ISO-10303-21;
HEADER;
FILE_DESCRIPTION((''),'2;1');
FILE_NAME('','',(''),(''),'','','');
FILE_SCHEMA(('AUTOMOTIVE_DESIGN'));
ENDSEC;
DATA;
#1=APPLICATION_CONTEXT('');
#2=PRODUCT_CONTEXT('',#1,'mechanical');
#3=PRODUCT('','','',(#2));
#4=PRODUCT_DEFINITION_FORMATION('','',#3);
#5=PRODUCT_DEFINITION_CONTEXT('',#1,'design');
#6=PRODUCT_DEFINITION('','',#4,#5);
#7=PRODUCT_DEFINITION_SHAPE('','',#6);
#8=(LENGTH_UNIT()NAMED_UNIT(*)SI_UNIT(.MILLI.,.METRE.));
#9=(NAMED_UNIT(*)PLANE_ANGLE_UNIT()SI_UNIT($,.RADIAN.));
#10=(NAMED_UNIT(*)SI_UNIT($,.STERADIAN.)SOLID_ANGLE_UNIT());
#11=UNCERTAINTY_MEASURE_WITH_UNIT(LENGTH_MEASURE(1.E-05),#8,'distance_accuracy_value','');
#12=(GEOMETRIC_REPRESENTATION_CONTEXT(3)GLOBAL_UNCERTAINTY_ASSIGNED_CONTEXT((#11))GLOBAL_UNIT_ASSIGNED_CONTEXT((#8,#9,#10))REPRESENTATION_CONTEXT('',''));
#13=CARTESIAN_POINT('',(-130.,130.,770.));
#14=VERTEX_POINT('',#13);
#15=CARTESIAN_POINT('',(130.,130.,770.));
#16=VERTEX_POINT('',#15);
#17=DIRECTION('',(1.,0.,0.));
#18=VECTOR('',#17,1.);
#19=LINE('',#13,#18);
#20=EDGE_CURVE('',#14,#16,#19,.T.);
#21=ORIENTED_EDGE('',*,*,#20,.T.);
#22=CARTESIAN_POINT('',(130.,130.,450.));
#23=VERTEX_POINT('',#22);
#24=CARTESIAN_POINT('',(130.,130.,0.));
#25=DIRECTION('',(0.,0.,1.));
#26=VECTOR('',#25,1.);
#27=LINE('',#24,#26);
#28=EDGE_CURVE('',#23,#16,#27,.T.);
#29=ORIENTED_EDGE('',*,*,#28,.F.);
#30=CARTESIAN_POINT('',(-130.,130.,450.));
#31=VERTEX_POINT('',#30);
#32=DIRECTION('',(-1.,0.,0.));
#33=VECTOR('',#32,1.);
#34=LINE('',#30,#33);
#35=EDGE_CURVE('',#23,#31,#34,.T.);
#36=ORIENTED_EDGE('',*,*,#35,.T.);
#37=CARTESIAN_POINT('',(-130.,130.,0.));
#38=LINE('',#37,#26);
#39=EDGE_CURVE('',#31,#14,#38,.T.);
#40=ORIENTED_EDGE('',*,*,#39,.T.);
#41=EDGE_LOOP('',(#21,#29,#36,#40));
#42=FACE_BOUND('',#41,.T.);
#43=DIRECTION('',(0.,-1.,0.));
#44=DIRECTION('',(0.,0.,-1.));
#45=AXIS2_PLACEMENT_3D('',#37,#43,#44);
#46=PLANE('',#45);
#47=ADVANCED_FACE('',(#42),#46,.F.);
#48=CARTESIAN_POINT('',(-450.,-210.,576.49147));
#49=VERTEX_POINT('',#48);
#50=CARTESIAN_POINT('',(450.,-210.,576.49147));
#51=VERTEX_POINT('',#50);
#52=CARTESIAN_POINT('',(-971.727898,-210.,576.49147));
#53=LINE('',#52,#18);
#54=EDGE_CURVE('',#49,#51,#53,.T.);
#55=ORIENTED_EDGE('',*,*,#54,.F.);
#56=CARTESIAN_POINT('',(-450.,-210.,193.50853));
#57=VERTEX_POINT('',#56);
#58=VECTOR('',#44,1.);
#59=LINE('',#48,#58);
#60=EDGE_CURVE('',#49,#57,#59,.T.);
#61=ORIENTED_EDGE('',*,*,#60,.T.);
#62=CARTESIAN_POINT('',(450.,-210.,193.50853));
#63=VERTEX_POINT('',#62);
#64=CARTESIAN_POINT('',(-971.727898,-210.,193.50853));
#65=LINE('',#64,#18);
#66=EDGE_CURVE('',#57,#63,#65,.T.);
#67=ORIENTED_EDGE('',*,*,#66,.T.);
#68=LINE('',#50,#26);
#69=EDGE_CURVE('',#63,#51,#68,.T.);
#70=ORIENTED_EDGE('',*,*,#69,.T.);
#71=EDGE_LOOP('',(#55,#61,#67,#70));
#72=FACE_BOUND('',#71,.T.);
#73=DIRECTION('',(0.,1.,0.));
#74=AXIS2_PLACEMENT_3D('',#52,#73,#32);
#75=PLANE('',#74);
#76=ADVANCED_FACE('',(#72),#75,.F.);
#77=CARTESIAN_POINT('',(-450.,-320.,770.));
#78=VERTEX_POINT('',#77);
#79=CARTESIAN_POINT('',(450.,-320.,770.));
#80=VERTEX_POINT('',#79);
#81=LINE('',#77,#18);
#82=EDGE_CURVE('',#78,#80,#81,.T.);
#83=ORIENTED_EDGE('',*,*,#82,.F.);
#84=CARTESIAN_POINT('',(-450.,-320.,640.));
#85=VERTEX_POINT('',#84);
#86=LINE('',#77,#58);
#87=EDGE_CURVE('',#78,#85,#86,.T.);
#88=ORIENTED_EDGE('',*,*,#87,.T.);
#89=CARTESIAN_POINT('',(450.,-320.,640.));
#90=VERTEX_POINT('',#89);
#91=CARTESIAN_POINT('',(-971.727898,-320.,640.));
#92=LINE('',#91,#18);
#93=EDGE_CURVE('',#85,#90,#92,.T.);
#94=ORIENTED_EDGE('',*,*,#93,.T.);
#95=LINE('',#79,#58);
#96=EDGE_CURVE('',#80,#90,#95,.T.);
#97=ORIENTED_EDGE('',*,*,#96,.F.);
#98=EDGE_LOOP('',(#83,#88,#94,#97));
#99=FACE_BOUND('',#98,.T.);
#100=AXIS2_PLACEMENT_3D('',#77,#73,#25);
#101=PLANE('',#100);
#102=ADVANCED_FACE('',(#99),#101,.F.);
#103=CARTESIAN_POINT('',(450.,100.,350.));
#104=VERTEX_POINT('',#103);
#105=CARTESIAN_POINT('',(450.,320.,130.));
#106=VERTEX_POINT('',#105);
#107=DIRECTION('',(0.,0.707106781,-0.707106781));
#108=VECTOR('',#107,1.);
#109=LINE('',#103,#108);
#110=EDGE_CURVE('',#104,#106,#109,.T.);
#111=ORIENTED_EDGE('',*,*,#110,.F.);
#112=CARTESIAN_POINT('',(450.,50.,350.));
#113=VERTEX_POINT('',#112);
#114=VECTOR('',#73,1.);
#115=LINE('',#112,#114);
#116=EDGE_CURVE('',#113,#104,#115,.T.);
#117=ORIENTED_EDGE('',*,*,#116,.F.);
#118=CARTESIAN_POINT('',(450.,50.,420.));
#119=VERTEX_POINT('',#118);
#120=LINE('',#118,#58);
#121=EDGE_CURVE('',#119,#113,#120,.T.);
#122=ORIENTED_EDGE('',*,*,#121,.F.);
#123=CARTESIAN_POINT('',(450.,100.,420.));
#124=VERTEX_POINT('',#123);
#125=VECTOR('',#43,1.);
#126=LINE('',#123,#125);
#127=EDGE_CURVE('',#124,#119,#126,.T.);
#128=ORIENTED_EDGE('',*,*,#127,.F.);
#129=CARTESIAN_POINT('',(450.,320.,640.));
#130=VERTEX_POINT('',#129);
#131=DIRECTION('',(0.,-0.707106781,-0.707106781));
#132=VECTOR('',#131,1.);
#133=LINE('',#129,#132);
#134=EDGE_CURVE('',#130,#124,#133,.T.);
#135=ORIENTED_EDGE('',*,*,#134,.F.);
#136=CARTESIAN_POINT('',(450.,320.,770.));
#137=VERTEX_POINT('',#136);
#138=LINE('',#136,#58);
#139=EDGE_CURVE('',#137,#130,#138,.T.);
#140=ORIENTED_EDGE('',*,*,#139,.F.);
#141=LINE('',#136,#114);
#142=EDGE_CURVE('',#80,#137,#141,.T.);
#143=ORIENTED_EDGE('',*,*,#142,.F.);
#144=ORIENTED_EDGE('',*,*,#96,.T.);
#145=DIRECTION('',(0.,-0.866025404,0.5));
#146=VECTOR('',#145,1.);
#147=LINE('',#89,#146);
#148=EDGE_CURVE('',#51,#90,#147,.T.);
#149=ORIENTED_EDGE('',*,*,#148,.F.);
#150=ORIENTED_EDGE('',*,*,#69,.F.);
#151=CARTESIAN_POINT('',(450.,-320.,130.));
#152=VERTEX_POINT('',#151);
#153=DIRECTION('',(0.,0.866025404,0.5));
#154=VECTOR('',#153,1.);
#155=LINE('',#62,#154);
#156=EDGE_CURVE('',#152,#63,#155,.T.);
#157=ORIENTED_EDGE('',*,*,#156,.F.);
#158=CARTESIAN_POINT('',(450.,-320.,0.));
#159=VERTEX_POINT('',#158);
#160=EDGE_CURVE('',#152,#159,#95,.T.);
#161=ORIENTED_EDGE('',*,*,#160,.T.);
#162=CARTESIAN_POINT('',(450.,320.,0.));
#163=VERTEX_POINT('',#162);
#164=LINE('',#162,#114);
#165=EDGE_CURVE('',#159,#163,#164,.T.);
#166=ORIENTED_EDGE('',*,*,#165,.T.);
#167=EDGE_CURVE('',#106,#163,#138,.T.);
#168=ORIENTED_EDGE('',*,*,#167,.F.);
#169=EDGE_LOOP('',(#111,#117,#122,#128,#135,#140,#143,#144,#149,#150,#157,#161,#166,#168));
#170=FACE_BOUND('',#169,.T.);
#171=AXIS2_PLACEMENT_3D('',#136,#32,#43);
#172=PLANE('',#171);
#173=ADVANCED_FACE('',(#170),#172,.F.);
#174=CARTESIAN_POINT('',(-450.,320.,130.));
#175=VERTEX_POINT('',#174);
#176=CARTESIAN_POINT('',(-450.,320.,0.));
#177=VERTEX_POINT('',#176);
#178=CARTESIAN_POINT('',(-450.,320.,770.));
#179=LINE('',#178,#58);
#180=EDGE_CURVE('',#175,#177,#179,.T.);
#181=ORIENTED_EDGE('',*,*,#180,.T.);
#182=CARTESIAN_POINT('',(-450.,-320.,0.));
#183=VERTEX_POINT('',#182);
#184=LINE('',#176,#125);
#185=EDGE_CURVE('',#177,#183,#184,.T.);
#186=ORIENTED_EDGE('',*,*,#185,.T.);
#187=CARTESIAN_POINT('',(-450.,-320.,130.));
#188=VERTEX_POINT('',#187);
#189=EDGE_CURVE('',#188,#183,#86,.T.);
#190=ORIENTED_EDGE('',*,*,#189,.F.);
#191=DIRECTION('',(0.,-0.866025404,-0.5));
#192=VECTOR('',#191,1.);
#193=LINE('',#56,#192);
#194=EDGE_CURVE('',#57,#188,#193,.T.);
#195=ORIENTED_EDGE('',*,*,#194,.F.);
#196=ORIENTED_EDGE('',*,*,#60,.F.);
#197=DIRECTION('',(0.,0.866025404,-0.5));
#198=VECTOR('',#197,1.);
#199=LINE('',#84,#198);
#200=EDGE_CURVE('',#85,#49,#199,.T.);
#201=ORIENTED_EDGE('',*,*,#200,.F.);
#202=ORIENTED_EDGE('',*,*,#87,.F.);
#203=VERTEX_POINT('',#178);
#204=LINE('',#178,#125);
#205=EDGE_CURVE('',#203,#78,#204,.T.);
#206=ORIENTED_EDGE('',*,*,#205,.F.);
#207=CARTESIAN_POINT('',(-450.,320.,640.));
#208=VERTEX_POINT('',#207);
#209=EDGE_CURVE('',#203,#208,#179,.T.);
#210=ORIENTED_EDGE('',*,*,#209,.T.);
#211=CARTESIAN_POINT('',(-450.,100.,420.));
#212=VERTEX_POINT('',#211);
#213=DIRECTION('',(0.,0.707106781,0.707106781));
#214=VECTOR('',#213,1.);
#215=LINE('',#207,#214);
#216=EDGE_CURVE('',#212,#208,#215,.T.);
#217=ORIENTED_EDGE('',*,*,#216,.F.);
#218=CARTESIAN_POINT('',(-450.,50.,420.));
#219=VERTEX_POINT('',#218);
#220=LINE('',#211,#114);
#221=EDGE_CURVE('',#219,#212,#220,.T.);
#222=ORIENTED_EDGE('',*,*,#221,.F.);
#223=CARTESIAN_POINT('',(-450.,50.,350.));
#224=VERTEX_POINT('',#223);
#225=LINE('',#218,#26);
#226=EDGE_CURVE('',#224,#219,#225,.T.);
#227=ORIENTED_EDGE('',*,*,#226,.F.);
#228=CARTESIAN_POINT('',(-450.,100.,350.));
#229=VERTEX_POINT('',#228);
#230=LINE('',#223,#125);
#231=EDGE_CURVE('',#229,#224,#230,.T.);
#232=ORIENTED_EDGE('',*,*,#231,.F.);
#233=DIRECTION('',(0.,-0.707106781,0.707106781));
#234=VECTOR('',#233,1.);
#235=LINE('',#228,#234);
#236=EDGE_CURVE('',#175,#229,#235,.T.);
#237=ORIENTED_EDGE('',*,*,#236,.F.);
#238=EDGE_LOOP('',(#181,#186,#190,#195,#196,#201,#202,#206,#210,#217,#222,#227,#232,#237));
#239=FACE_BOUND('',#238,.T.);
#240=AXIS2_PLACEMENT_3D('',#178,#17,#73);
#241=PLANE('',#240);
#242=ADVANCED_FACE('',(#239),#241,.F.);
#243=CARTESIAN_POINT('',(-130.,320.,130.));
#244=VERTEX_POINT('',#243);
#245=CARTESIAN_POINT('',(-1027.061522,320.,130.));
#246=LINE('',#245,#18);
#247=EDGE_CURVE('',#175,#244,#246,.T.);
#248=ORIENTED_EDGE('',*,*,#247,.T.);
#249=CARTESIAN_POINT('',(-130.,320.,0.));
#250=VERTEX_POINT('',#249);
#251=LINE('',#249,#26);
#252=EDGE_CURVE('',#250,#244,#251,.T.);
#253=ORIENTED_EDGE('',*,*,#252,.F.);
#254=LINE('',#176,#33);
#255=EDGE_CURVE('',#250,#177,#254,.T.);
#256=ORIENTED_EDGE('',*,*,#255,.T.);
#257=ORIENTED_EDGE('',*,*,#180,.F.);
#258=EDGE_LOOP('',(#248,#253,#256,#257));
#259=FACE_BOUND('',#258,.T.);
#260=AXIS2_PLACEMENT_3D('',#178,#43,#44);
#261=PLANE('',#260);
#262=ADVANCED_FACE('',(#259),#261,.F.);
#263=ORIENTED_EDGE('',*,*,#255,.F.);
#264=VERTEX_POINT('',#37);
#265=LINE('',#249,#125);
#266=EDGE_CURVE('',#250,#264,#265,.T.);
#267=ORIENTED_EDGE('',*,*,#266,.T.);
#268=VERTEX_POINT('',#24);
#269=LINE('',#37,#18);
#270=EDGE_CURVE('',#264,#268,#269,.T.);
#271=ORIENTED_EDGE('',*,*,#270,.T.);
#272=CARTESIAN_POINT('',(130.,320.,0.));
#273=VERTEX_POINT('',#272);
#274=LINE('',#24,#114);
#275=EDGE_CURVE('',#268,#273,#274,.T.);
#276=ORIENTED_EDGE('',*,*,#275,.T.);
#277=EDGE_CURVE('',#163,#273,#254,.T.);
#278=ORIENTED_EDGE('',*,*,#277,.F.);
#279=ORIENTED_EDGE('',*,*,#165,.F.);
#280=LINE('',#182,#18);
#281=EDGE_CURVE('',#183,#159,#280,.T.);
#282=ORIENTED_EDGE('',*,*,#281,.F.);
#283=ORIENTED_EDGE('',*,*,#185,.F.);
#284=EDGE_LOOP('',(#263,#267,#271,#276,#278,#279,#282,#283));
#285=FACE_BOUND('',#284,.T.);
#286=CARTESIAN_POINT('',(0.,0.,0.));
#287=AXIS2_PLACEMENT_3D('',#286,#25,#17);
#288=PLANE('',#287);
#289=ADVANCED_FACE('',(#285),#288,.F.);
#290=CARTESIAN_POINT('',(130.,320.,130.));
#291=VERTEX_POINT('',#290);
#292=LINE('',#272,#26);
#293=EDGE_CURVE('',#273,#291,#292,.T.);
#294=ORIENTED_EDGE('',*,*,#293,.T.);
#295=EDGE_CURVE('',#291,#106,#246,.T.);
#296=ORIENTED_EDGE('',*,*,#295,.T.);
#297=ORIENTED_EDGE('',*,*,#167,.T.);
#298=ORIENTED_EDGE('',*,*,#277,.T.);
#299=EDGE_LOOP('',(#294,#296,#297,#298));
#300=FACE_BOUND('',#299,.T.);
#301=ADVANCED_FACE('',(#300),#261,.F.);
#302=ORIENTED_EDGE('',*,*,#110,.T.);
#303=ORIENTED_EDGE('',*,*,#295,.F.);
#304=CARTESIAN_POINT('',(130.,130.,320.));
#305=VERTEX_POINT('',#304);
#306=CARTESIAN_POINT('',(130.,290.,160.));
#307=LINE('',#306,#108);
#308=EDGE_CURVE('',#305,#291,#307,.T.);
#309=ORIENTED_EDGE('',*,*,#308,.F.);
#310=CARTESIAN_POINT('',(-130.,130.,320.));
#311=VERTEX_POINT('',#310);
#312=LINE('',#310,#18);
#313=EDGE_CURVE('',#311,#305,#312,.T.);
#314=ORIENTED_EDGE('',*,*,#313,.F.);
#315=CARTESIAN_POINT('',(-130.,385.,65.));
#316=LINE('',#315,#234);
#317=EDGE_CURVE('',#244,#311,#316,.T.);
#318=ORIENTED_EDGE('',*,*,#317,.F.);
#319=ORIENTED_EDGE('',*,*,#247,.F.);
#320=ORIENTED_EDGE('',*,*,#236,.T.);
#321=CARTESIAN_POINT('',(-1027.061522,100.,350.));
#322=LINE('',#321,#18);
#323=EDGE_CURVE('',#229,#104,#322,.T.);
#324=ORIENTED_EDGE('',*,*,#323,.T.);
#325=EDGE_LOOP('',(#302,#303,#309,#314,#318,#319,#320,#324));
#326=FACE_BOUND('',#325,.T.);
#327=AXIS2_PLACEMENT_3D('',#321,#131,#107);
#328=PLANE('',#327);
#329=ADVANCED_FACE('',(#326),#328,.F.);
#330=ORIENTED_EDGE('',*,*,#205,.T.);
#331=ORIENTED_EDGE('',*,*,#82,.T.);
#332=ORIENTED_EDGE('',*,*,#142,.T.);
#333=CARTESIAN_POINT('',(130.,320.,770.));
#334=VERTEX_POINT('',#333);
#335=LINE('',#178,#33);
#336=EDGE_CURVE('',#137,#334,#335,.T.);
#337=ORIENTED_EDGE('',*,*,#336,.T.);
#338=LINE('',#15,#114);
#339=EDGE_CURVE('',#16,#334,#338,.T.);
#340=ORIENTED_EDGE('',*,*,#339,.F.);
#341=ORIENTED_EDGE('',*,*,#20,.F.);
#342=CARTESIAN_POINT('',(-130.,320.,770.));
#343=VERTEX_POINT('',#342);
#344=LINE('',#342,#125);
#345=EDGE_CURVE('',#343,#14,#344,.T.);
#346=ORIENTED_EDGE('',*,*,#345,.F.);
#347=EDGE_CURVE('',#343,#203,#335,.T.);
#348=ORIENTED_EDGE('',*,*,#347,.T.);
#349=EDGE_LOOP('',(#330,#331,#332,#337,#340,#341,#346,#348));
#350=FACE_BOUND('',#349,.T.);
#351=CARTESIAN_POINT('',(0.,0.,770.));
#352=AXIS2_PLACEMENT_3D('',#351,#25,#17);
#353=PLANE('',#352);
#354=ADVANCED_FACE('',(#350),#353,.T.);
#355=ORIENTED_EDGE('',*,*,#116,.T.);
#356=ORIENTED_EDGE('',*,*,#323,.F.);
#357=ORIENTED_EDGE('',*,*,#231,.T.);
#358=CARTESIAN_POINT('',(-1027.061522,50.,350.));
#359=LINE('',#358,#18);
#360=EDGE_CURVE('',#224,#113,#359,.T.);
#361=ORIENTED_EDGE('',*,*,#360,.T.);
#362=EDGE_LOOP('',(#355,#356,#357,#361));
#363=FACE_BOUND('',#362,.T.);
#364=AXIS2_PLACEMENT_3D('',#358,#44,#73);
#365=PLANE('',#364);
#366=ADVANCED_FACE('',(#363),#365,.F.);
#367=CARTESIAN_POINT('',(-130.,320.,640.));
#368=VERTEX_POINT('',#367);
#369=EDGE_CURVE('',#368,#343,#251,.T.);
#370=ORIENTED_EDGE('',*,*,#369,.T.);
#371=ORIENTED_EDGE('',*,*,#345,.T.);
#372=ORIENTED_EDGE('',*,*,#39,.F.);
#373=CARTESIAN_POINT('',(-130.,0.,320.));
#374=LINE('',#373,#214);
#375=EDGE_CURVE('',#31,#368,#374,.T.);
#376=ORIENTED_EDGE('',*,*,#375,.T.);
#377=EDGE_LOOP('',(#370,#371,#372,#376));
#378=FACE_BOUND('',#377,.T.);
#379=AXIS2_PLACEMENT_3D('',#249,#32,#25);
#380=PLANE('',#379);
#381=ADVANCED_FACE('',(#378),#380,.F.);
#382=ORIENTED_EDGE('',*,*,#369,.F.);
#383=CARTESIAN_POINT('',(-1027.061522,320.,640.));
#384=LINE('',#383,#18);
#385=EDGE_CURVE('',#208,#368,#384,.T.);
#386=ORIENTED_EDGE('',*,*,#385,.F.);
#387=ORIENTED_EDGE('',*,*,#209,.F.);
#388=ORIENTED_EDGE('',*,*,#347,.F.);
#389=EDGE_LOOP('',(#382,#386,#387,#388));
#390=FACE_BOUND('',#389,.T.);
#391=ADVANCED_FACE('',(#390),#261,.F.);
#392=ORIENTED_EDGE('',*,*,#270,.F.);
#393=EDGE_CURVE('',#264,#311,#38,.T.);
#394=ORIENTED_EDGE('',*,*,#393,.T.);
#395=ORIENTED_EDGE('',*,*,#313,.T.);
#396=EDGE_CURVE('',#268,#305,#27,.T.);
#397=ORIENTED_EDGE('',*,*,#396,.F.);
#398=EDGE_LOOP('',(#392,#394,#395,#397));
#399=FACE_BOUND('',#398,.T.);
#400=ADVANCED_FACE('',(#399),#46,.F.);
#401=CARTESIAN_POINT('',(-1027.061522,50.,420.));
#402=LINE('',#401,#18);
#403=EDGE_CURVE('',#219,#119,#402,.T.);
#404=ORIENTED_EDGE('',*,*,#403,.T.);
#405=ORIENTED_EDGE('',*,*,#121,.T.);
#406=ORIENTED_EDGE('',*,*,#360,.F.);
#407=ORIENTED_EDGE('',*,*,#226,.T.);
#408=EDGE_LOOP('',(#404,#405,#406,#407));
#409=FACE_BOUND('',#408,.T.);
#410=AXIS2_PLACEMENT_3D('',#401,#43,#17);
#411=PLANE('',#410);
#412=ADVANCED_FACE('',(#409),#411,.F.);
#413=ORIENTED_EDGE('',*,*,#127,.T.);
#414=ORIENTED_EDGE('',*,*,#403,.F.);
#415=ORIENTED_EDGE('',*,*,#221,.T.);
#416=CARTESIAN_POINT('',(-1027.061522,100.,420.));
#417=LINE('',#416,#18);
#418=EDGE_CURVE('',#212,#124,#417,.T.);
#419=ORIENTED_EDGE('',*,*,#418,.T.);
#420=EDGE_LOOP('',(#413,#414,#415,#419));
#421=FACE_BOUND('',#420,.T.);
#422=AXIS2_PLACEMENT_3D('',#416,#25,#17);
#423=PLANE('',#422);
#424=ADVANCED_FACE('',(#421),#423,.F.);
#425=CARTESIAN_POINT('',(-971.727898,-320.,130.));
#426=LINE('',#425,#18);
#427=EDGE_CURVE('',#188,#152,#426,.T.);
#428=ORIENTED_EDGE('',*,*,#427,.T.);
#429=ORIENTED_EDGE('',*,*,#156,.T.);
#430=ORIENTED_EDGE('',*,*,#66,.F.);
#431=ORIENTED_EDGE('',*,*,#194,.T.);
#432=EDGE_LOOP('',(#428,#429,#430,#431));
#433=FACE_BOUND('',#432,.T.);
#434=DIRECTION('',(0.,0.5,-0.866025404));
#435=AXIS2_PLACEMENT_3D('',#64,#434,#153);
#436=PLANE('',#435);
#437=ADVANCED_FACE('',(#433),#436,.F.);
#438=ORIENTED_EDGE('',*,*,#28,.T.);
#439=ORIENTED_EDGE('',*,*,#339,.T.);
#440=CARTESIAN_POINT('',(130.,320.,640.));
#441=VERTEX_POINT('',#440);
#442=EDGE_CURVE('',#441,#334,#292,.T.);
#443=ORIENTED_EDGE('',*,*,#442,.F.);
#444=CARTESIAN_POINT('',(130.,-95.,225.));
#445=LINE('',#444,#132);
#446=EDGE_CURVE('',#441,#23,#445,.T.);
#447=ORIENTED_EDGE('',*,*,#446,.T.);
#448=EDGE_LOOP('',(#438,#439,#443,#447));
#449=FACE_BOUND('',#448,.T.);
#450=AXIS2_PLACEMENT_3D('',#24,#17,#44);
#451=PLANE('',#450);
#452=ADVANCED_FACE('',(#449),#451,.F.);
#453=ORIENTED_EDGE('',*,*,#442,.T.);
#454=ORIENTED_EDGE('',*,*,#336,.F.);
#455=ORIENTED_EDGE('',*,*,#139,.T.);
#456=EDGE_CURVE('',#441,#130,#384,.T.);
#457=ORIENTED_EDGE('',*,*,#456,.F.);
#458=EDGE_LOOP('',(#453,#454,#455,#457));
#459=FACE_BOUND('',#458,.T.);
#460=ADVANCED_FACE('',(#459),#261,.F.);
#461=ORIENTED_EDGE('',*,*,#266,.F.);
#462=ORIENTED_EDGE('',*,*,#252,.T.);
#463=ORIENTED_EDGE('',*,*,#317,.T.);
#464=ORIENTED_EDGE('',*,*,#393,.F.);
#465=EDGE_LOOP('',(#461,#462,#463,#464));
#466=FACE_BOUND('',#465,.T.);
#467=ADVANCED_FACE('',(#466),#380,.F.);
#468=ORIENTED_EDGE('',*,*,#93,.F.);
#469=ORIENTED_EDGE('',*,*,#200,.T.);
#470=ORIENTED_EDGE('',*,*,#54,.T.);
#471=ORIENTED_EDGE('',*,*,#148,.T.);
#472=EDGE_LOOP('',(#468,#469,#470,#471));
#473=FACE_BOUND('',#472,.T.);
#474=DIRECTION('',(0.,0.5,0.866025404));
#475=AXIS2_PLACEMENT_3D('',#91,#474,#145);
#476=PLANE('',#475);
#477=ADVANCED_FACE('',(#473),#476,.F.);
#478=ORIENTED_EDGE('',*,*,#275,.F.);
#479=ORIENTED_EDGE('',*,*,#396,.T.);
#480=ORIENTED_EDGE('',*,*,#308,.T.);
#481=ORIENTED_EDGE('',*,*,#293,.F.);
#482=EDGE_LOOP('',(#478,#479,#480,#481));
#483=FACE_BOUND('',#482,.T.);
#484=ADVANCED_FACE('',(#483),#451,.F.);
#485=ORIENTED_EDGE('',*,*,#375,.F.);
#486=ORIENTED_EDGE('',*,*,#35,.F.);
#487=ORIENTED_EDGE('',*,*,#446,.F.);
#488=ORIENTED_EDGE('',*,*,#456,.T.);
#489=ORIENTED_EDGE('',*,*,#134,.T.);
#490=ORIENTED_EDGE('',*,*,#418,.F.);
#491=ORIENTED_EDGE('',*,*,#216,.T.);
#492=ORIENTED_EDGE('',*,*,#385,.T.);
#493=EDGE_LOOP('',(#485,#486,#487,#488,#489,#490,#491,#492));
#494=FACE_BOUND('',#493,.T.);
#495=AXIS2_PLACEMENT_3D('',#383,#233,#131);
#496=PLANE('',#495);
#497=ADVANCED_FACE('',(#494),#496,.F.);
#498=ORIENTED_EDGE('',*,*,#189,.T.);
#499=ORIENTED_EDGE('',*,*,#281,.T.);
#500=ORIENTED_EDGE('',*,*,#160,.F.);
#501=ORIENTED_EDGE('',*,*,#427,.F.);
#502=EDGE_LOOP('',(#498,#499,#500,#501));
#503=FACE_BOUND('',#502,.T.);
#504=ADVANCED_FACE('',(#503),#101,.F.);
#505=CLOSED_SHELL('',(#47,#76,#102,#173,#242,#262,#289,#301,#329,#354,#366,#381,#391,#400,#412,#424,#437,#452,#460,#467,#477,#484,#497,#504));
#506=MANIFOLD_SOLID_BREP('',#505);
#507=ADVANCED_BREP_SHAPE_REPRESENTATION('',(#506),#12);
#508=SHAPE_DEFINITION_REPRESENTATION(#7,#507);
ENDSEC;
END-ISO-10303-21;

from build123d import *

# Parameters (mm, degrees)
IZIM6_W                     = 900
IZIM6_H                     = 640
Y_KSEKLIK_EKSTR_ZYON3_DEPTH = 770
IZIM7_W                     = 260
IZIM7_H                     = 190
KES_EKSTR_ZYON4_DEPTH       = 770
KES_EKSTR_ZYON6_REACH       = 1228.907
KES_EKSTR_ZYON7_DEPTH       = 900


with BuildPart() as part:
    # Çizim6 → Yükseklik-Ekstrüzyon3 (new body)
    with BuildSketch(Plane.XY):
        Rectangle(IZIM6_W, IZIM6_H)
    extrude(amount=Y_KSEKLIK_EKSTR_ZYON3_DEPTH)

    # Çizim7 → Kes-Ekstrüzyon4 (cut)
    with BuildSketch(Plane.XY.offset(770)):
        with Locations((0, 225)):
            Rectangle(IZIM7_W, IZIM7_H)
    extrude(amount=-KES_EKSTR_ZYON4_DEPTH, mode=Mode.SUBTRACT)

    # Kes-Ekstrüzyon6: up to this face of the body (flat: up to its plane)
    kes_ekstr_zyon6_end = Plane(part.part.faces().sort_by_distance((-450, 0, 385))[0])
    # Çizim8 → Kes-Ekstrüzyon6 (cut, up to the picked face)
    with BuildSketch(Plane(origin=(450, 0, 0), x_dir=(0, 0, -1), z_dir=(1, 0, 0)), mode=Mode.PRIVATE) as kes_ekstr_zyon6_sk1:
        Polygon((-350, 50), (-350, 100), (-130, 320), (-640, 320), (-420, 100), (-420, 50), align=None)
    kes_ekstr_zyon6_tool1 = split(extrude(kes_ekstr_zyon6_sk1.sketch, amount=-KES_EKSTR_ZYON6_REACH, mode=Mode.PRIVATE), bisect_by=kes_ekstr_zyon6_end, keep=Keep.BOTH, mode=Mode.PRIVATE)
    add(kes_ekstr_zyon6_tool1.solids().sort_by(Axis((450, 229.348687, 385), (-1, 0, 0)))[0], mode=Mode.SUBTRACT)

    # Çizim13 → Kes-Ekstrüzyon7 (cut)
    with BuildSketch(Plane(origin=(450, 0, 0), x_dir=(0, 0, -1), z_dir=(1, 0, 0))):
        Polygon((-640, -320), (-576.491470389, -210), (-193.508529611, -210), (-130, -320), align=None)
    extrude(amount=-KES_EKSTR_ZYON7_DEPTH, mode=Mode.SUBTRACT)


solid = part.part
